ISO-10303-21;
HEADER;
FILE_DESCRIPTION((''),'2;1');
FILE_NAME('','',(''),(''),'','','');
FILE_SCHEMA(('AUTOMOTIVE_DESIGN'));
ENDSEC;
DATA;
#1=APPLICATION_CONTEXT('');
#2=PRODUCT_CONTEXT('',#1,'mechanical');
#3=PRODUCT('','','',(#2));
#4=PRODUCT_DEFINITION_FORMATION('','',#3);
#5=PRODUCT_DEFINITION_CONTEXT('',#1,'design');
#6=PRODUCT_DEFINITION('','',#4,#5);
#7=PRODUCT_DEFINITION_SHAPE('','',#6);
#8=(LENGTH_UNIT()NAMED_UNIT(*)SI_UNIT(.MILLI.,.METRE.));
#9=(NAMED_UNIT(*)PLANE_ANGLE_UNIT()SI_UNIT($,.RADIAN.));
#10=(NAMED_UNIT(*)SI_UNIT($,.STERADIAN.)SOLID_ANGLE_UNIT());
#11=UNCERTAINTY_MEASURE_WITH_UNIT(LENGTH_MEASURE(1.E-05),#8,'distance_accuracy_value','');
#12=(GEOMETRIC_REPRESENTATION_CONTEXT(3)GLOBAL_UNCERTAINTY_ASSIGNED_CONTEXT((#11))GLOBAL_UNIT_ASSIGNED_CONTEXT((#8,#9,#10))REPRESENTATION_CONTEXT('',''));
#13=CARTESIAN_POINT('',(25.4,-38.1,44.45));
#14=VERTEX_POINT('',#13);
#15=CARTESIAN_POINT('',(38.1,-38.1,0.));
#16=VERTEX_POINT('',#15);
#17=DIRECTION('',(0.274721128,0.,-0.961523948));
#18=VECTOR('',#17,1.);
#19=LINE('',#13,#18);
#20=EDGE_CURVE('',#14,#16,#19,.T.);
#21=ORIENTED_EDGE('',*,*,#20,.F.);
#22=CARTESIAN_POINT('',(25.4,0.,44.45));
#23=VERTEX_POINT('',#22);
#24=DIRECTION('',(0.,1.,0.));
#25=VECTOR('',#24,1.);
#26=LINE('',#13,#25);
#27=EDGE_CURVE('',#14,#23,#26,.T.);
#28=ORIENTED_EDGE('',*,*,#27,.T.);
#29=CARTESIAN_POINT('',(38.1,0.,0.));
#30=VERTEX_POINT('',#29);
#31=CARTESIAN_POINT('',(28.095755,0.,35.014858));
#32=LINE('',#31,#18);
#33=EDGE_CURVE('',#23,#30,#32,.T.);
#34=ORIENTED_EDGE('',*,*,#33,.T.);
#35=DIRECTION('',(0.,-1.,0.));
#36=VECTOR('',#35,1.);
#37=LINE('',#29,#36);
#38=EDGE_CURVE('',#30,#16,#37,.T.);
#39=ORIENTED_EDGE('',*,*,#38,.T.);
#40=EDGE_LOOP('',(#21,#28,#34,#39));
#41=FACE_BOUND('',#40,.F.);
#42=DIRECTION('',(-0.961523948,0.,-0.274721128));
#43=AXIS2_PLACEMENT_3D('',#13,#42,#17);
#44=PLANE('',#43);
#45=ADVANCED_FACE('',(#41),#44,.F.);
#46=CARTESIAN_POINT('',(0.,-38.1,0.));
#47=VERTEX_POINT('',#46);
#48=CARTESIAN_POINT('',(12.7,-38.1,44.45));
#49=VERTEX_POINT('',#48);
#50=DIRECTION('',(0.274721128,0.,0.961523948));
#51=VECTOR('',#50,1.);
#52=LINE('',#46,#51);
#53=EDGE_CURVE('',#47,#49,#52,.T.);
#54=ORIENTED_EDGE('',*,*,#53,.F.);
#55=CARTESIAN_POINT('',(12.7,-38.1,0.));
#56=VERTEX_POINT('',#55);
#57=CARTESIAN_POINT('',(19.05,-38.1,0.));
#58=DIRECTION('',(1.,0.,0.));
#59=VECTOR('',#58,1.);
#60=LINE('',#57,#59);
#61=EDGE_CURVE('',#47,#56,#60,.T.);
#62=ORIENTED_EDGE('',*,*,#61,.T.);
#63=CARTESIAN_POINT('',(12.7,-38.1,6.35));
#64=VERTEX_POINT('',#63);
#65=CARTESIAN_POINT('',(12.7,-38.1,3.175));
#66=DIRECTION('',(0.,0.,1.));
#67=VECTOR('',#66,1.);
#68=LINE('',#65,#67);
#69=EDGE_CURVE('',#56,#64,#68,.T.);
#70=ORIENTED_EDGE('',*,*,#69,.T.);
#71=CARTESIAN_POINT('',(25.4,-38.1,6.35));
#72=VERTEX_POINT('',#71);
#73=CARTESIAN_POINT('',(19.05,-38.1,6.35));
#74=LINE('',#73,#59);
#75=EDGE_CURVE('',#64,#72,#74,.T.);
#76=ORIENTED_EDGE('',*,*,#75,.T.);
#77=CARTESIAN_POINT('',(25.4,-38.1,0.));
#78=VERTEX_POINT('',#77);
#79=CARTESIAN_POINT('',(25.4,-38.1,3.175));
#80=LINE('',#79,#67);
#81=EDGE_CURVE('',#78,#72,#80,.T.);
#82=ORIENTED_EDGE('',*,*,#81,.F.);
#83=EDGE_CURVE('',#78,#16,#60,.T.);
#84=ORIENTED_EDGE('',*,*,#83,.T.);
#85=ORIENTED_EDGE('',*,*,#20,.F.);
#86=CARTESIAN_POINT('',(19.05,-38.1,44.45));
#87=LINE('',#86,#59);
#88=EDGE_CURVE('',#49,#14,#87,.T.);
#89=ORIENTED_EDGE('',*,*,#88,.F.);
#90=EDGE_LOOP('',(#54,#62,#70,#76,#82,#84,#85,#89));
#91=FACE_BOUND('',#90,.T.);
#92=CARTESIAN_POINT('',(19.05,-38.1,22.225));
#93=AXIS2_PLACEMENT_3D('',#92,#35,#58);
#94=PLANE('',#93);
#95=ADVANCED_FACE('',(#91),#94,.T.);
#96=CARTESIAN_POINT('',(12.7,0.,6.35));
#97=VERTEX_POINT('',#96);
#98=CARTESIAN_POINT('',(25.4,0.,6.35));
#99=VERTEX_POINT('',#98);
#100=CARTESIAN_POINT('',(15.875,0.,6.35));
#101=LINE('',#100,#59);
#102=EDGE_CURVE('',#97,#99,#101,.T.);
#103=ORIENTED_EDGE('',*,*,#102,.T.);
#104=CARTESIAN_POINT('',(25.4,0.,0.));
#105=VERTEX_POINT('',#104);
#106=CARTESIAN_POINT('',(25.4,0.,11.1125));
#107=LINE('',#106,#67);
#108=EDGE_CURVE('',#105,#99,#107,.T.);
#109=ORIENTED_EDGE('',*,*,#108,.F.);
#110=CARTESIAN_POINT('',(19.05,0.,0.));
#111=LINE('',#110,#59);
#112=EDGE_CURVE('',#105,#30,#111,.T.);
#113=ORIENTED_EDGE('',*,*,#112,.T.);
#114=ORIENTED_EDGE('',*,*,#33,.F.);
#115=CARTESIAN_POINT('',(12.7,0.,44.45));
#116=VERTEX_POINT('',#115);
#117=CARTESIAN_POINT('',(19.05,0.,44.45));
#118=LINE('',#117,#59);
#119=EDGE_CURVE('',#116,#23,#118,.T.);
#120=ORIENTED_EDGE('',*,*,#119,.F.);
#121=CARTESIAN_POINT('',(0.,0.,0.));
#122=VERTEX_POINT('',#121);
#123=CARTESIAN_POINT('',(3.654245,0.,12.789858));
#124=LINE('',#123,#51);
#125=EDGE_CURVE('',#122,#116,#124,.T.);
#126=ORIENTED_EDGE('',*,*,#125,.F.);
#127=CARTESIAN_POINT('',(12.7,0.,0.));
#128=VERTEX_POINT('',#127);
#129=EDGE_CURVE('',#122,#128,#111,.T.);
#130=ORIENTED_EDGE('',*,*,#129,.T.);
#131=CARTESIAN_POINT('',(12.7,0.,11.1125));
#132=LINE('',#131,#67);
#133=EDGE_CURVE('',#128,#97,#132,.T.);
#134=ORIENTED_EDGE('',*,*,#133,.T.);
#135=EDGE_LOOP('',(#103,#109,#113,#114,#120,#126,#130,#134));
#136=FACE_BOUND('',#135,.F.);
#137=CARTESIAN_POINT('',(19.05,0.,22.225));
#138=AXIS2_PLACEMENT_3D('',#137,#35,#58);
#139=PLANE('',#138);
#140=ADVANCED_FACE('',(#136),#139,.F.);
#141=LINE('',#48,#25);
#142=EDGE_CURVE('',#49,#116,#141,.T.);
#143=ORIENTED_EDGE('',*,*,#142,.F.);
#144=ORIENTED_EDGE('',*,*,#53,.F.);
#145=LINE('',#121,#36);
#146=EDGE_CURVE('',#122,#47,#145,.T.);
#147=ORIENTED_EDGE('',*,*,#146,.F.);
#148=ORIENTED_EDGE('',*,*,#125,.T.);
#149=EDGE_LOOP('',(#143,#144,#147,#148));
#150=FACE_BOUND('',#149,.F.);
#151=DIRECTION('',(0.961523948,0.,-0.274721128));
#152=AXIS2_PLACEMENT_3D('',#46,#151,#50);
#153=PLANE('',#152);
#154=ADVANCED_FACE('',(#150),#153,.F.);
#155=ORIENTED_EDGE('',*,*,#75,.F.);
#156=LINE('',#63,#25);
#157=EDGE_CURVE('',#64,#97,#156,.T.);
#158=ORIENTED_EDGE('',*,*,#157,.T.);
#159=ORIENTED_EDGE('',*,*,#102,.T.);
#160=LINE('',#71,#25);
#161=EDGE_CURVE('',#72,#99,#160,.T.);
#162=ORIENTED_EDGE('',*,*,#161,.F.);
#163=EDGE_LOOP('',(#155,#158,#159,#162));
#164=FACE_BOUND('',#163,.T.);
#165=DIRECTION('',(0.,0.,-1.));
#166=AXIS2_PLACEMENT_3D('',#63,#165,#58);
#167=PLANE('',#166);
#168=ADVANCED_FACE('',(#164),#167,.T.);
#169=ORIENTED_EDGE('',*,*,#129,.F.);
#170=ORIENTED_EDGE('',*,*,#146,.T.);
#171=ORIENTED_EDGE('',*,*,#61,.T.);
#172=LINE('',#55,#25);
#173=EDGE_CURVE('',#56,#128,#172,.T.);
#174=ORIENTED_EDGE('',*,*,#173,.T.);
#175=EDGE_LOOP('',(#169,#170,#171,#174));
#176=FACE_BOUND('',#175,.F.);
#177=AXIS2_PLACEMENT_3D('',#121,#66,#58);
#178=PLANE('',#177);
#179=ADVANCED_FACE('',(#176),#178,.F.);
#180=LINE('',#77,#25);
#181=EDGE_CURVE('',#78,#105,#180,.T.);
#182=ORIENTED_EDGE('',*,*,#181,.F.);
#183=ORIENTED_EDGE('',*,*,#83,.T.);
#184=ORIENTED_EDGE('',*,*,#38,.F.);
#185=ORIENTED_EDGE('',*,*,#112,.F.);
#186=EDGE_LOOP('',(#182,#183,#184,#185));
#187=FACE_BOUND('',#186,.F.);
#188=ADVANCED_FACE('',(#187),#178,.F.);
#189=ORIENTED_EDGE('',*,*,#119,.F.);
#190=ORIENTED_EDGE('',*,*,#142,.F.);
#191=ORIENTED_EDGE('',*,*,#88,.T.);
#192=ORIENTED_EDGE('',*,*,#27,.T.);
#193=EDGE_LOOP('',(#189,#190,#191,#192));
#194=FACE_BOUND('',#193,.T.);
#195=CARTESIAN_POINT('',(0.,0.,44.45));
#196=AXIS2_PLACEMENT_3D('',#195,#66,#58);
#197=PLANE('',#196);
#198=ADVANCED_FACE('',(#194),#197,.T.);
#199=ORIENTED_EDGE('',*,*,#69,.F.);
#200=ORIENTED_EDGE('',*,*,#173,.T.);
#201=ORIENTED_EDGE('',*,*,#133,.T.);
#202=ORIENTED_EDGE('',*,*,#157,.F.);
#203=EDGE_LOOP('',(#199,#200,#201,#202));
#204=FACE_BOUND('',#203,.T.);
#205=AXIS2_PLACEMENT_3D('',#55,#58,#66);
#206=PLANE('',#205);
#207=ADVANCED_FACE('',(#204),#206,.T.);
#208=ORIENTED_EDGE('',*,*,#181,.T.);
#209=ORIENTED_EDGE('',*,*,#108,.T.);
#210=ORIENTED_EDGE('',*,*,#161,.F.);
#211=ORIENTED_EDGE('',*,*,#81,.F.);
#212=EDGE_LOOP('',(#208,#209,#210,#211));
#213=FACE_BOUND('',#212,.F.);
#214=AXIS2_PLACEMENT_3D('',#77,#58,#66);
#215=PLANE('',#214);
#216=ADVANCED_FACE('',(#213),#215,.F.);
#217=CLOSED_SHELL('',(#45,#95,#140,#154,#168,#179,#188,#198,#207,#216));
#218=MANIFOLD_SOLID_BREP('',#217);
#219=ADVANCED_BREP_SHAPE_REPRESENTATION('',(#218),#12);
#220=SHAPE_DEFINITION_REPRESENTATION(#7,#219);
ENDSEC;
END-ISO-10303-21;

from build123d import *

# Parameters (mm, degrees)
F0_W     = 38.1
F0_H     = 44.45
F1_DEPTH = 38.1
F2_W     = 12.7
F2_H     = 6.35
F3_DEPTH = 65.532
F5_DEPTH = 60.706
F7_DEPTH = 60.706


with BuildPart() as f1:
    # F0 (on Front) → F1 (new body)
    with BuildSketch(Plane.XZ):
        with Locations((19.05, 22.225)):
            Rectangle(F0_W, F0_H)
    extrude(amount=F1_DEPTH)

    # F2 (on face) → F3 (cut)
    with BuildSketch(Plane.XZ.offset(38.1)):
        with Locations((19.05, 3.175)):
            Rectangle(F2_W, F2_H)
    extrude(amount=-F3_DEPTH, mode=Mode.SUBTRACT)

    # F4 (on face) → F5 (cut)
    with BuildSketch(Plane.XZ.offset(38.1)):
        Polygon((0, 0), (12.7, 44.45), (0, 44.45), align=None)
    extrude(amount=-F5_DEPTH, mode=Mode.SUBTRACT)

    # F6 (on face) → F7 (cut)
    with BuildSketch(Plane.XZ.offset(38.1)):
        Polygon((38.1, 44.45), (25.4, 44.45), (38.1, 0), align=None)
    extrude(amount=-F7_DEPTH, mode=Mode.SUBTRACT)


solid = f1.part
